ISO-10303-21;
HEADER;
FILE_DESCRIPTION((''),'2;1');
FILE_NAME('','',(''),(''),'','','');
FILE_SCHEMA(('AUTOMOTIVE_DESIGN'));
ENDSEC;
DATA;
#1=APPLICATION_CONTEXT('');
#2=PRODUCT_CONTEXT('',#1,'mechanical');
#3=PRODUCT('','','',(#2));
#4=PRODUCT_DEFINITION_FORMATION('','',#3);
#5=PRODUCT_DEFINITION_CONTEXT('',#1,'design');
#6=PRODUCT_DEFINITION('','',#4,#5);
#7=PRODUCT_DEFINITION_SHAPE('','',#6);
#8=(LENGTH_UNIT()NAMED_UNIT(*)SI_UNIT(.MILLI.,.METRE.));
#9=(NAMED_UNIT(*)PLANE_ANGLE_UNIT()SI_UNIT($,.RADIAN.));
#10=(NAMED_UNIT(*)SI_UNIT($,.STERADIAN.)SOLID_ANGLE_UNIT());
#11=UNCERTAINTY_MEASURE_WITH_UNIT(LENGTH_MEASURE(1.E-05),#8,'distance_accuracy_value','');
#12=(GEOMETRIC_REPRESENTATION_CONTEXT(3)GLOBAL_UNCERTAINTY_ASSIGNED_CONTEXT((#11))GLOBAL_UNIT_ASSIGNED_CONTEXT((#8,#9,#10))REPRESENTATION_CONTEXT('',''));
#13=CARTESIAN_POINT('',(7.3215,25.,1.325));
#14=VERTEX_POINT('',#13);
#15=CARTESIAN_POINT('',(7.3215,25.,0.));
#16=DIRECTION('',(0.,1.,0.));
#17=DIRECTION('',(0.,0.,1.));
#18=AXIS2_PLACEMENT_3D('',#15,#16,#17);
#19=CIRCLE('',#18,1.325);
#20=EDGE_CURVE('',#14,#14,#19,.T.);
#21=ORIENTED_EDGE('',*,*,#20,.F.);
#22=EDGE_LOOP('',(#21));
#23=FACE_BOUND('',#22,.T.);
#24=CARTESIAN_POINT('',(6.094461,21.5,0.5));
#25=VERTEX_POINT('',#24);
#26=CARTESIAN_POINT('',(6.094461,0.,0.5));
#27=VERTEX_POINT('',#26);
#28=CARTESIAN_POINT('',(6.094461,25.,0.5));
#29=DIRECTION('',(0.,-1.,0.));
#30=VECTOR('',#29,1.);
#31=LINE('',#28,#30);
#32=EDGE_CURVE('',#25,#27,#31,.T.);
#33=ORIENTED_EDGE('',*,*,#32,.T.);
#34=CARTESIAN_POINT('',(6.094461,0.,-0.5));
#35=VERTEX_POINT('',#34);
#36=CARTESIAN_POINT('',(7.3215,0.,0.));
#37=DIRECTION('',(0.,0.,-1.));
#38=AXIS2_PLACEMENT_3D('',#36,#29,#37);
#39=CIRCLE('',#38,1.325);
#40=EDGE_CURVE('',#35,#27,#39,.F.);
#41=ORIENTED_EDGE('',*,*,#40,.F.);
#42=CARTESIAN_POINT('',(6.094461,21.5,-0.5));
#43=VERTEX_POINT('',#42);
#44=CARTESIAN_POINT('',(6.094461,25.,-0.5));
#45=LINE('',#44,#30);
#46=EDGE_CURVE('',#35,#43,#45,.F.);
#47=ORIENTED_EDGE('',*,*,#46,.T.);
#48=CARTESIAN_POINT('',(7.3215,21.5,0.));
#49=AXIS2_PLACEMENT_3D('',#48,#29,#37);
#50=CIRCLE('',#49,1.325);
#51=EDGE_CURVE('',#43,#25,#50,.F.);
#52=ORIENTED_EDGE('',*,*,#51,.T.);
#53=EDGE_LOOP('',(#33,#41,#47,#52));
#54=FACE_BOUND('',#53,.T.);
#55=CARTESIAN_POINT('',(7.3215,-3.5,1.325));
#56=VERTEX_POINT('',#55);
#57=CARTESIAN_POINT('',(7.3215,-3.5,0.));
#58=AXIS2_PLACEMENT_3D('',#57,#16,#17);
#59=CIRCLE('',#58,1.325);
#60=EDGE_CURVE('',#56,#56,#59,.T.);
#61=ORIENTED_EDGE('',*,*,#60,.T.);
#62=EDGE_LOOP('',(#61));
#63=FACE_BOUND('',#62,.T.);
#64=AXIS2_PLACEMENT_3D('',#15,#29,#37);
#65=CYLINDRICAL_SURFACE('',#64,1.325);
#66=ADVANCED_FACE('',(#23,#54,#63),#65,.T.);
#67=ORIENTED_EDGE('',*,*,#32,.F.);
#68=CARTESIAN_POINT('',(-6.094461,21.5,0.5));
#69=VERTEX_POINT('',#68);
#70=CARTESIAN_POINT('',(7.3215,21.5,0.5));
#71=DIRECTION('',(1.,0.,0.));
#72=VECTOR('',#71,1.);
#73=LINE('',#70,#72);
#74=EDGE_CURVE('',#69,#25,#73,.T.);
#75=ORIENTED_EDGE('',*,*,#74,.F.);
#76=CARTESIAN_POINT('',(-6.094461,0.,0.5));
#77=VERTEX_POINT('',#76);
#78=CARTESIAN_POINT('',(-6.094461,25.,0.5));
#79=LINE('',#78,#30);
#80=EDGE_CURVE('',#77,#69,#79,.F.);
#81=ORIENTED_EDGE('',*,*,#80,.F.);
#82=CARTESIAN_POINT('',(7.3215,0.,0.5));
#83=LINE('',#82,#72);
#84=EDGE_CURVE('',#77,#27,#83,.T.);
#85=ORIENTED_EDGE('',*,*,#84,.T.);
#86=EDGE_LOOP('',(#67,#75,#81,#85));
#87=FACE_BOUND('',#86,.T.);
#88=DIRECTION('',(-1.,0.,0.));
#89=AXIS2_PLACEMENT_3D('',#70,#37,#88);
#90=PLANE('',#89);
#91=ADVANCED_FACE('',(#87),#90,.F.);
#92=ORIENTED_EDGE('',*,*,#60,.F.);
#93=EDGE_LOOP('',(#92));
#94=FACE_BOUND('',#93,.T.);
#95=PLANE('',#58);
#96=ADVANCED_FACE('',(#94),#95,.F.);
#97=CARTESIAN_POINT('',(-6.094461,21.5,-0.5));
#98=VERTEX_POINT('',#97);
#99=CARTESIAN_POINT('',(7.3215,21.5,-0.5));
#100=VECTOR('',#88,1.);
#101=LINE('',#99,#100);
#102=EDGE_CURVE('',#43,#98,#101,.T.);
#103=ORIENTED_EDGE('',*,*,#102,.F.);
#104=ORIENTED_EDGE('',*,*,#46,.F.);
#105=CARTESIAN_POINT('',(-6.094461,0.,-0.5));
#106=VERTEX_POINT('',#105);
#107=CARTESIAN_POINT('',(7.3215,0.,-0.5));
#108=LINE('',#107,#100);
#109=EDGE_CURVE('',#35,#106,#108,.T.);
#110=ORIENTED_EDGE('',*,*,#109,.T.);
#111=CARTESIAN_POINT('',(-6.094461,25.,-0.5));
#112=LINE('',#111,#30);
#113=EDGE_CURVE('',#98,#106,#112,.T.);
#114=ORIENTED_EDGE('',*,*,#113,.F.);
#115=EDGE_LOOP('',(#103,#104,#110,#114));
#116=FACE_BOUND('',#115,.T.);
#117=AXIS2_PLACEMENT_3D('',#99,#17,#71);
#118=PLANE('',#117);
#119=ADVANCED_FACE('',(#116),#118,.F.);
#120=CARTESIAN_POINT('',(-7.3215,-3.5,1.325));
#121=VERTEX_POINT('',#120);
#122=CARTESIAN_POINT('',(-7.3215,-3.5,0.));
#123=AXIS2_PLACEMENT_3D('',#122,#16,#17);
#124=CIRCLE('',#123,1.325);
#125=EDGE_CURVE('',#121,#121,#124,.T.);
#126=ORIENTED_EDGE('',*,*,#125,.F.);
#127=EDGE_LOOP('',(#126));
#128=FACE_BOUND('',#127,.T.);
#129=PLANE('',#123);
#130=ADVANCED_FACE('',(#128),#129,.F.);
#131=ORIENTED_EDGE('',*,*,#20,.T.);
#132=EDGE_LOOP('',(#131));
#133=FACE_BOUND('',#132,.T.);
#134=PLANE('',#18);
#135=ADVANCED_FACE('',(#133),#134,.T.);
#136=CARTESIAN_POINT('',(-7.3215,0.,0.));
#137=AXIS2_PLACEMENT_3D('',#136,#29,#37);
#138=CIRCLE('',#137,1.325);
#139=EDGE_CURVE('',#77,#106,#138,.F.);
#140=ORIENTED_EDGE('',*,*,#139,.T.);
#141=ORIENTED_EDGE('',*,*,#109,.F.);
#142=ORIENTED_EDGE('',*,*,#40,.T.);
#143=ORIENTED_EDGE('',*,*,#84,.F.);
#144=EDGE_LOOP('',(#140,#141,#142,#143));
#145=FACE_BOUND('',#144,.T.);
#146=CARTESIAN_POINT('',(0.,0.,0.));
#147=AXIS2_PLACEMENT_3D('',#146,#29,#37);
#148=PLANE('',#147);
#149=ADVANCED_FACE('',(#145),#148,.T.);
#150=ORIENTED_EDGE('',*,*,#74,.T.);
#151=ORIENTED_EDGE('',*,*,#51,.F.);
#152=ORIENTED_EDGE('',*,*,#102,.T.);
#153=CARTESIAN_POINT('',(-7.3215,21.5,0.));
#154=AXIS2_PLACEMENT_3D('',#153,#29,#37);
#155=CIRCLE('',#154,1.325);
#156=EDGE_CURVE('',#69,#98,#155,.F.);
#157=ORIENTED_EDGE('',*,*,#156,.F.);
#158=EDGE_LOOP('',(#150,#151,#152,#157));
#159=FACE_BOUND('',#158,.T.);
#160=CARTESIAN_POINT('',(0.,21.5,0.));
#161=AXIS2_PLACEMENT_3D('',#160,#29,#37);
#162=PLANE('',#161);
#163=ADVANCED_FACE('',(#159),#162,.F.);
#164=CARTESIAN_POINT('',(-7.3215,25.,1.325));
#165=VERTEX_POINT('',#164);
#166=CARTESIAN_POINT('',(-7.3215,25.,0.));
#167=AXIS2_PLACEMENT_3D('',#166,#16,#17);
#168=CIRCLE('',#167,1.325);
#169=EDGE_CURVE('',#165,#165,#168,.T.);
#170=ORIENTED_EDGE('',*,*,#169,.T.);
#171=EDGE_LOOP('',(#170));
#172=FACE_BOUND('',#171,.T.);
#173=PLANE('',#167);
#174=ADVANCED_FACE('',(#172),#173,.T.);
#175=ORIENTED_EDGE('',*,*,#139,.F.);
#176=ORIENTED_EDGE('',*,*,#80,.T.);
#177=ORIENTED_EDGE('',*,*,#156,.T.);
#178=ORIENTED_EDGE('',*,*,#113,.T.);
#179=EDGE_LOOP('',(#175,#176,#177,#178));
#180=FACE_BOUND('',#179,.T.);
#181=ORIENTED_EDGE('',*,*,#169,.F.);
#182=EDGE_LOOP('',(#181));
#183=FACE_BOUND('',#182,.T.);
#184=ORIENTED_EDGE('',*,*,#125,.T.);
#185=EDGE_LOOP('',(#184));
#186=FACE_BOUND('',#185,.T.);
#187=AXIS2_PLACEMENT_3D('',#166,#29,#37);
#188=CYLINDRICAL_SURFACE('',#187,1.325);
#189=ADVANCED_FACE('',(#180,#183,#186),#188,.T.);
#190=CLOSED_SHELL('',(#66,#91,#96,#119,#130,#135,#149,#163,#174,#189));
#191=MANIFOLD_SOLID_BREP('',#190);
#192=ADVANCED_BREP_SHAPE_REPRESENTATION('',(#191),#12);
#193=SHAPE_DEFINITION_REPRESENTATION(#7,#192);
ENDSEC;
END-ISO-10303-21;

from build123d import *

# Parameters (mm, degrees)
SKETCH1_W           = 14.643
SKETCH1_H           = 1
BOSS_EXTRUDE1_DEPTH = 21.5
SKETCH2_R           = 1.325
BOSS_EXTRUDE2_DEPTH = 14.25


with BuildPart() as part:
    # Sketch1 → Boss-Extrude1 (new body)
    with BuildSketch(Plane(origin=(0, 0, 0), x_dir=(1, 0, 0), z_dir=(0, 1, 0))):
        Rectangle(SKETCH1_W, SKETCH1_H)
    extrude(amount=BOSS_EXTRUDE1_DEPTH)

    # Sketch2 → Boss-Extrude2 (add, symmetric)
    with BuildSketch(Plane(origin=(0, 10.75, 0), x_dir=(1, 0, 0), z_dir=(0, 1, 0))):
        with Locations(Location((-7.3215, 0, 0), (0, 0, 270))):
            Circle(SKETCH2_R)
        with Locations(Location((7.3215, 0, 0), (0, 0, 270))):
            Circle(SKETCH2_R)
    extrude(amount=BOSS_EXTRUDE2_DEPTH, both=True)


solid = part.part
